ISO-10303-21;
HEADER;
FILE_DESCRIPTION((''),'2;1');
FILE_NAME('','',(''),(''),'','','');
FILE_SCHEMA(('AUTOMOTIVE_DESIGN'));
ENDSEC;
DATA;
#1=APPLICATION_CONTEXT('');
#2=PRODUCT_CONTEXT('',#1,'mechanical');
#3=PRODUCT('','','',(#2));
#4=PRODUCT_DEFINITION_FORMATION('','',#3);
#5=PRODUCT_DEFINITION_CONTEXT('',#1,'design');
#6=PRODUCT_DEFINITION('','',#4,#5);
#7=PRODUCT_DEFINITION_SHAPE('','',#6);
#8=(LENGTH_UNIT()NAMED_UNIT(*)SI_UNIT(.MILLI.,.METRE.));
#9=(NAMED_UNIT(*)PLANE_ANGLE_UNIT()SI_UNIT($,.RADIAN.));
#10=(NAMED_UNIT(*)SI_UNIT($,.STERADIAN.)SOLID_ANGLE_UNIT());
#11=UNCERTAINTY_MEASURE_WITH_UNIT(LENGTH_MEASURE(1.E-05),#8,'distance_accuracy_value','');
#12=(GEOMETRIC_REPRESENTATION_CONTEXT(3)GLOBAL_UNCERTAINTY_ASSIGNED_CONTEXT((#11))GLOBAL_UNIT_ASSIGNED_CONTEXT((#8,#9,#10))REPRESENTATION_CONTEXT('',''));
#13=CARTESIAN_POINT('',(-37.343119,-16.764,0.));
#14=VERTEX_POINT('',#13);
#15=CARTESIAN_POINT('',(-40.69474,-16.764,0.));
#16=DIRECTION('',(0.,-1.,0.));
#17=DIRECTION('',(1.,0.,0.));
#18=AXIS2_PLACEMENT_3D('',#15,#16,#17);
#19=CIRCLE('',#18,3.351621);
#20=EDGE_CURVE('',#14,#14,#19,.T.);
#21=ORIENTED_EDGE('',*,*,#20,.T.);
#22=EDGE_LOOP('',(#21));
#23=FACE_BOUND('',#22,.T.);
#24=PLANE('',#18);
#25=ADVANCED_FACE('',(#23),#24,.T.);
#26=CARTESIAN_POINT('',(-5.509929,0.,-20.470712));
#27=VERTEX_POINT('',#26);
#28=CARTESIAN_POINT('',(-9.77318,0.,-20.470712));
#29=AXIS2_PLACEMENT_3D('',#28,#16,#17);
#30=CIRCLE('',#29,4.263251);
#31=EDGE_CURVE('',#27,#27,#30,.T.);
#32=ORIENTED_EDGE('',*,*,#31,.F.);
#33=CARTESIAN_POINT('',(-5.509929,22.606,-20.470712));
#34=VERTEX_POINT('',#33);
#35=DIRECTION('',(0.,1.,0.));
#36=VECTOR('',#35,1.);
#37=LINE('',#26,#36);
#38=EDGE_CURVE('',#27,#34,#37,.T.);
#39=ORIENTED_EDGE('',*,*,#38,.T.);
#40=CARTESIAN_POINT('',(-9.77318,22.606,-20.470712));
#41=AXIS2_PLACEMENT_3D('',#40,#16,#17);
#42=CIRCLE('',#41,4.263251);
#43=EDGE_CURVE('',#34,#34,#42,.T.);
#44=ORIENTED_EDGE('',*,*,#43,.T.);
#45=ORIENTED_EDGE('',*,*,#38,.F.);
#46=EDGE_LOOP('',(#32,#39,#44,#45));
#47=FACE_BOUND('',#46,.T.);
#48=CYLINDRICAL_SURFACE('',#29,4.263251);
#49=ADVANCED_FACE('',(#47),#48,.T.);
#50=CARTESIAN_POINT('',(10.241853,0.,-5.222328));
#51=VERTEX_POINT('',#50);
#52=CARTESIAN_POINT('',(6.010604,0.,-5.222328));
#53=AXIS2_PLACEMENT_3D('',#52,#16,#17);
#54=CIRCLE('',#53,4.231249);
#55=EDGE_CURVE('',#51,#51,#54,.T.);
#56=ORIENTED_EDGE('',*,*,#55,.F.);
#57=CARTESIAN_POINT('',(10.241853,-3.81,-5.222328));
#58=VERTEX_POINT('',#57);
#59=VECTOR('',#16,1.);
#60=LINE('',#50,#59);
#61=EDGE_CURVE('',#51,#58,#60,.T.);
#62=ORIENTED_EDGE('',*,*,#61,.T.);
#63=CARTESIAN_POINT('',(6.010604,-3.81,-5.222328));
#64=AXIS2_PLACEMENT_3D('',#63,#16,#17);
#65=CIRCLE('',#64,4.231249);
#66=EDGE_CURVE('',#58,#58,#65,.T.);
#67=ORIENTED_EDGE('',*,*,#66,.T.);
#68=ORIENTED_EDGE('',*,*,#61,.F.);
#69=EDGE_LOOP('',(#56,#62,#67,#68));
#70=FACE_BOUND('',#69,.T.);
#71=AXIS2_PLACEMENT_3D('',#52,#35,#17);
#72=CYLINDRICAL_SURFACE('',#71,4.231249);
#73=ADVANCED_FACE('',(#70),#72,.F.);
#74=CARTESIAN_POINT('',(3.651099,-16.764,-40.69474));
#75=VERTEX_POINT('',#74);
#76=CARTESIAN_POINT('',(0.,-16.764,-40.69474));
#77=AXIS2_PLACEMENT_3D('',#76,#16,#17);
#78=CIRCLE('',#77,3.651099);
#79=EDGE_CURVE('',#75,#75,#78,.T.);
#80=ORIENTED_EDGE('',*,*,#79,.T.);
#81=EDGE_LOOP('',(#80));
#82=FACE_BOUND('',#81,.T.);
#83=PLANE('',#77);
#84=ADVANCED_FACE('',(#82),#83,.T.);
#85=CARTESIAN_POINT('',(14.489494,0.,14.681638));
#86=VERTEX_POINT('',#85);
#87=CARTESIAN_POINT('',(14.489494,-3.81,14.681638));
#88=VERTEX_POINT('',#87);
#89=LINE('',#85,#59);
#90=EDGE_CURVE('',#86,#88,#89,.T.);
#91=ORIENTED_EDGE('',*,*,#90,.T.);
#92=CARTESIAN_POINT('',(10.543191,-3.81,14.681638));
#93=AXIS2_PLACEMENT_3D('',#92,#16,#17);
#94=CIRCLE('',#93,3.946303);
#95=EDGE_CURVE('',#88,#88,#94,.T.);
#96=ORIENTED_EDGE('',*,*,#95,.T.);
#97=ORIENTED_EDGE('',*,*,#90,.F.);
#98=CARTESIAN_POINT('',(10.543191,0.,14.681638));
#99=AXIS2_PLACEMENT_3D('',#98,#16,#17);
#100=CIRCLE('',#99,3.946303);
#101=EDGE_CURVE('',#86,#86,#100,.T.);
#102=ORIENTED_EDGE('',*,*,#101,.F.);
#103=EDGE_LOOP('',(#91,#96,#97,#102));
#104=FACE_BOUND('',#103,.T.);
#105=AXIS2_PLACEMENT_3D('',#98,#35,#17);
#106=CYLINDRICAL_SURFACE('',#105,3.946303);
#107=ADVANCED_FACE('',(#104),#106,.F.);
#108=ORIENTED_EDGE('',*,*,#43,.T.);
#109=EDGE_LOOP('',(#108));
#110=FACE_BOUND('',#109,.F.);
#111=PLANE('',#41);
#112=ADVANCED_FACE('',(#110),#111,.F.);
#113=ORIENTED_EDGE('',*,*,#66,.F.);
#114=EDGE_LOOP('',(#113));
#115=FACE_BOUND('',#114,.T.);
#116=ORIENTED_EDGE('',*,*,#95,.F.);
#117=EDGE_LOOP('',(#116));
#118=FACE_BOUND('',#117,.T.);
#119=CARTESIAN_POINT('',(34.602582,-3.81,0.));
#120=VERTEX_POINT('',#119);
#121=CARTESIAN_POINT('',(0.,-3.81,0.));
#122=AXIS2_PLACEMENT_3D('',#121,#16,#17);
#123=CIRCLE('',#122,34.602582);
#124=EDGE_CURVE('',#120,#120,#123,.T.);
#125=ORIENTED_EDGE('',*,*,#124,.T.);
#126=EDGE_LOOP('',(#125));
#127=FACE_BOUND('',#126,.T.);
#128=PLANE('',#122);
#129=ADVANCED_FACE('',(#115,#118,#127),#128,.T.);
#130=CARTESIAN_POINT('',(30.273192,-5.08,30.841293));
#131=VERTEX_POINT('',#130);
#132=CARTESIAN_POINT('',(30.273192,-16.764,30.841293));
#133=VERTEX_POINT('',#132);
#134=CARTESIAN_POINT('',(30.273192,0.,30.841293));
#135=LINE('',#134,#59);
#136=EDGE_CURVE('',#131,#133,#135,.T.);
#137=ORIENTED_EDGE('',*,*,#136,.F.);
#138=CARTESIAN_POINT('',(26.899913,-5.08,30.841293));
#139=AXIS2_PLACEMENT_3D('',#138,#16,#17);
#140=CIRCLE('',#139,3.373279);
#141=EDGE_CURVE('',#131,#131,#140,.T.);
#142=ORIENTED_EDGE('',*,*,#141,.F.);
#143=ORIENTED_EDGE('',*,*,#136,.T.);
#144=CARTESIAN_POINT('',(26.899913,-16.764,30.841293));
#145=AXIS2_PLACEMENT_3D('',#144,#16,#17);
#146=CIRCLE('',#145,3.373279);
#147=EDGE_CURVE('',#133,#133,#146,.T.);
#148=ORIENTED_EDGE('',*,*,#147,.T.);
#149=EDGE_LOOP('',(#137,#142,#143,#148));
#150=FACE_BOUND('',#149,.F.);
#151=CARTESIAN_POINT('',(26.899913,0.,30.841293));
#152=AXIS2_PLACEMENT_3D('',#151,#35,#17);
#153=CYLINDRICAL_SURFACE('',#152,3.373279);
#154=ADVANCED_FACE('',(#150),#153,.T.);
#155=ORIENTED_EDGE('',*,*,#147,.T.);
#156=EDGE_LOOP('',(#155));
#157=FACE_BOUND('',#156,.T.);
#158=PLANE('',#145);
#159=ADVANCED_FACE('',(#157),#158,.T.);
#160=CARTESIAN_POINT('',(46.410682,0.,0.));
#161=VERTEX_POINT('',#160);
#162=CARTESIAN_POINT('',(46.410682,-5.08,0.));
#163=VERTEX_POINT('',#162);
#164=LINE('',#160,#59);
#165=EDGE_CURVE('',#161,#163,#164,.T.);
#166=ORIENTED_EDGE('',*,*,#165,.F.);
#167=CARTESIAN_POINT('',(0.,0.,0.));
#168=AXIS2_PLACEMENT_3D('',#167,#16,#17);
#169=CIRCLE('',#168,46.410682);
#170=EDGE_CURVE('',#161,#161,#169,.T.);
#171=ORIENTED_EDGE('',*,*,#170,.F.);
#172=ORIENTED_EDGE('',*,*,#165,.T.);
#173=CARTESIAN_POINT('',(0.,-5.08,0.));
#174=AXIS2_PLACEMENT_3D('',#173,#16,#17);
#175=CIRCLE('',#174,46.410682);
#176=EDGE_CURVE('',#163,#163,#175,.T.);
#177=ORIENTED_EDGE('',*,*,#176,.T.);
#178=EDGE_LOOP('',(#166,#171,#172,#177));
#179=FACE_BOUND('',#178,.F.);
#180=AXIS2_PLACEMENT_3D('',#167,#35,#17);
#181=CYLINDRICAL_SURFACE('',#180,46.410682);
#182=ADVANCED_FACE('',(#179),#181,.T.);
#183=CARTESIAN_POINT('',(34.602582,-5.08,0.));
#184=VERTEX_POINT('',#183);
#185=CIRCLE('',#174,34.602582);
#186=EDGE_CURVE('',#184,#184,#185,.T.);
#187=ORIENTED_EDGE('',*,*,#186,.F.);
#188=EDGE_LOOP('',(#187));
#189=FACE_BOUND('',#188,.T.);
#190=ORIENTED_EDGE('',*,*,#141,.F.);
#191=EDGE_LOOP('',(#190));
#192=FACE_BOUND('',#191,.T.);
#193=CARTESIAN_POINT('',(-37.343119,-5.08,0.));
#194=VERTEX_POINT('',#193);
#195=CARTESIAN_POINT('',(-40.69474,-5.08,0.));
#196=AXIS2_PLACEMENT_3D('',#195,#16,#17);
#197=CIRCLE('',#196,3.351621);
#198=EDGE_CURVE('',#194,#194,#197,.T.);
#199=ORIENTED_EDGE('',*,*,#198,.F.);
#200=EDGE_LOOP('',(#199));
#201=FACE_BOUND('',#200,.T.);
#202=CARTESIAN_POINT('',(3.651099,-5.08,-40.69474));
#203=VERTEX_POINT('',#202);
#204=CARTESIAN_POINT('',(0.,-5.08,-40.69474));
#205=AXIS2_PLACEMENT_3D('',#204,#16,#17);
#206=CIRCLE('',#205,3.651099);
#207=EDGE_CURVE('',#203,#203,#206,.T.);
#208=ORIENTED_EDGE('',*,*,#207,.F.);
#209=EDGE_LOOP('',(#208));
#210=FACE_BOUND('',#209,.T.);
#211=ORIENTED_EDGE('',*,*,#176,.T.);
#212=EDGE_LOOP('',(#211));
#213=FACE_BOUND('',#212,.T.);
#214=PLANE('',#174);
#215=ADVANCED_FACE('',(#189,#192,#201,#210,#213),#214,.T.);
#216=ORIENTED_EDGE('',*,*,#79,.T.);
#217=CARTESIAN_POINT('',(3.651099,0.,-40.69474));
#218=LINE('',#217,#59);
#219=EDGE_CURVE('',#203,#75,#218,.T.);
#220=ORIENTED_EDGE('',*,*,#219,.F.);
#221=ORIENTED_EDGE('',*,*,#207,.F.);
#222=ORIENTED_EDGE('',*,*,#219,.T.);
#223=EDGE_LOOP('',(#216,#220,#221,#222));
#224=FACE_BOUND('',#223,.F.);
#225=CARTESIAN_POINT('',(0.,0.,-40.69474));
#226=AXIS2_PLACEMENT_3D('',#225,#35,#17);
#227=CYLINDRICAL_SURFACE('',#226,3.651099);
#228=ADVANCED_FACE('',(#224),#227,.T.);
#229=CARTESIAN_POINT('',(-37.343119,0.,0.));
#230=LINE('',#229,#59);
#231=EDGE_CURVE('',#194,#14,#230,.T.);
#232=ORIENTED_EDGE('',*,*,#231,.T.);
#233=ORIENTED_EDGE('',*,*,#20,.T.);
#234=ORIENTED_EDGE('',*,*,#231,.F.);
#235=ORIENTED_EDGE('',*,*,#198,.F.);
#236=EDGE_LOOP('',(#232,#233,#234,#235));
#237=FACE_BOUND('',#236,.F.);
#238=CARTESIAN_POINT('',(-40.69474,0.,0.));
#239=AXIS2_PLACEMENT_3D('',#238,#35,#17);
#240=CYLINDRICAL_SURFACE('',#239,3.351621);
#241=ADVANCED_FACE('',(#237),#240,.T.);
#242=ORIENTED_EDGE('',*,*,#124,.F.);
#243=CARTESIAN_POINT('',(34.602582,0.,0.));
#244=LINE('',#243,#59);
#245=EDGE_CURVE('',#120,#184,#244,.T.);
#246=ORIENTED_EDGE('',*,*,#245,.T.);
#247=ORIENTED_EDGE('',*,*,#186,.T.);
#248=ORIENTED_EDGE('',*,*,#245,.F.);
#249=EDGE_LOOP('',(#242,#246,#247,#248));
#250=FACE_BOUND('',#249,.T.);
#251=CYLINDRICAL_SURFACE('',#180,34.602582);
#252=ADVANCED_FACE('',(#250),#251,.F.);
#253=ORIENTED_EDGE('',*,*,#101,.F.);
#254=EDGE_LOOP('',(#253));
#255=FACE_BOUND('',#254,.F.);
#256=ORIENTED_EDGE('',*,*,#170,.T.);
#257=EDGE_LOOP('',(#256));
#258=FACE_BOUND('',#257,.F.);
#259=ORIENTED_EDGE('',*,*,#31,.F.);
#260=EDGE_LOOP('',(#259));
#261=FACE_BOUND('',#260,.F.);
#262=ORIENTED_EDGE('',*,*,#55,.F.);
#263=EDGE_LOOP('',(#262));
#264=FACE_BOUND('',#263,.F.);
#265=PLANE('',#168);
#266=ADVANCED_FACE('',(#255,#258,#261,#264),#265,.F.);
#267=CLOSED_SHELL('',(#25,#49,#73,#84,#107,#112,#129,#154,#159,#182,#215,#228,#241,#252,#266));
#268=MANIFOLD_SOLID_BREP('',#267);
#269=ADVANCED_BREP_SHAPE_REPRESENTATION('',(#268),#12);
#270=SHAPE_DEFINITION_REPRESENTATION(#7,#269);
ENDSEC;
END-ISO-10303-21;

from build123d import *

# Parameters (mm, degrees)
F0_R     = 46.410682
F0_R_2   = 3.651099
F0_R_3   = 3.351621
F0_R_4   = 34.602582
F0_R_5   = 3.373279
F1_DEPTH = 5.08
F0_R_6   = 4.231249
F0_R_7   = 3.946303
F2_DEPTH = 3.81
F3_DEPTH = 16.764
F4_DEPTH = 16.764
F5_R     = 4.263251
F6_DEPTH = 22.606


with BuildPart() as f1:
    # F0 (on Front) → F1 (new body)
    with BuildSketch(Plane.XZ):
        Circle(F0_R)
        with Locations((0, -40.69474)):
            Circle(F0_R_2, mode=Mode.SUBTRACT)
        with Locations((-40.69474, 0)):
            Circle(F0_R_3, mode=Mode.SUBTRACT)
        Circle(F0_R_4, mode=Mode.SUBTRACT)
        with Locations((26.899913, 30.841293)):
            Circle(F0_R_5, mode=Mode.SUBTRACT)
    extrude(amount=F1_DEPTH)

    # F0 (on Front) → F2 (join)
    with BuildSketch(Plane.XZ):
        Circle(F0_R_4)
        with Locations((6.010604, -5.222328)):
            Circle(F0_R_6, mode=Mode.SUBTRACT)
        with Locations((10.543191, 14.681638)):
            Circle(F0_R_7, mode=Mode.SUBTRACT)
    extrude(amount=F2_DEPTH)

    # F0 (on Front) → F3 (join)
    with BuildSketch(Plane.XZ):
        with Locations((-40.69474, 0)):
            Circle(F0_R_3)
    extrude(amount=F3_DEPTH)

    # F0 (on Front) → F4 (join)
    with BuildSketch(Plane.XZ):
        with Locations((0, -40.69474)):
            Circle(F0_R_2)
        with Locations((26.899913, 30.841293)):
            Circle(F0_R_5)
    extrude(amount=F4_DEPTH)

    # F5 (on Front) → F6 (join)
    with BuildSketch(Plane.XZ):
        with Locations((-9.77318, -20.470712)):
            Circle(F5_R)
    extrude(amount=-F6_DEPTH)


solid = f1.part
